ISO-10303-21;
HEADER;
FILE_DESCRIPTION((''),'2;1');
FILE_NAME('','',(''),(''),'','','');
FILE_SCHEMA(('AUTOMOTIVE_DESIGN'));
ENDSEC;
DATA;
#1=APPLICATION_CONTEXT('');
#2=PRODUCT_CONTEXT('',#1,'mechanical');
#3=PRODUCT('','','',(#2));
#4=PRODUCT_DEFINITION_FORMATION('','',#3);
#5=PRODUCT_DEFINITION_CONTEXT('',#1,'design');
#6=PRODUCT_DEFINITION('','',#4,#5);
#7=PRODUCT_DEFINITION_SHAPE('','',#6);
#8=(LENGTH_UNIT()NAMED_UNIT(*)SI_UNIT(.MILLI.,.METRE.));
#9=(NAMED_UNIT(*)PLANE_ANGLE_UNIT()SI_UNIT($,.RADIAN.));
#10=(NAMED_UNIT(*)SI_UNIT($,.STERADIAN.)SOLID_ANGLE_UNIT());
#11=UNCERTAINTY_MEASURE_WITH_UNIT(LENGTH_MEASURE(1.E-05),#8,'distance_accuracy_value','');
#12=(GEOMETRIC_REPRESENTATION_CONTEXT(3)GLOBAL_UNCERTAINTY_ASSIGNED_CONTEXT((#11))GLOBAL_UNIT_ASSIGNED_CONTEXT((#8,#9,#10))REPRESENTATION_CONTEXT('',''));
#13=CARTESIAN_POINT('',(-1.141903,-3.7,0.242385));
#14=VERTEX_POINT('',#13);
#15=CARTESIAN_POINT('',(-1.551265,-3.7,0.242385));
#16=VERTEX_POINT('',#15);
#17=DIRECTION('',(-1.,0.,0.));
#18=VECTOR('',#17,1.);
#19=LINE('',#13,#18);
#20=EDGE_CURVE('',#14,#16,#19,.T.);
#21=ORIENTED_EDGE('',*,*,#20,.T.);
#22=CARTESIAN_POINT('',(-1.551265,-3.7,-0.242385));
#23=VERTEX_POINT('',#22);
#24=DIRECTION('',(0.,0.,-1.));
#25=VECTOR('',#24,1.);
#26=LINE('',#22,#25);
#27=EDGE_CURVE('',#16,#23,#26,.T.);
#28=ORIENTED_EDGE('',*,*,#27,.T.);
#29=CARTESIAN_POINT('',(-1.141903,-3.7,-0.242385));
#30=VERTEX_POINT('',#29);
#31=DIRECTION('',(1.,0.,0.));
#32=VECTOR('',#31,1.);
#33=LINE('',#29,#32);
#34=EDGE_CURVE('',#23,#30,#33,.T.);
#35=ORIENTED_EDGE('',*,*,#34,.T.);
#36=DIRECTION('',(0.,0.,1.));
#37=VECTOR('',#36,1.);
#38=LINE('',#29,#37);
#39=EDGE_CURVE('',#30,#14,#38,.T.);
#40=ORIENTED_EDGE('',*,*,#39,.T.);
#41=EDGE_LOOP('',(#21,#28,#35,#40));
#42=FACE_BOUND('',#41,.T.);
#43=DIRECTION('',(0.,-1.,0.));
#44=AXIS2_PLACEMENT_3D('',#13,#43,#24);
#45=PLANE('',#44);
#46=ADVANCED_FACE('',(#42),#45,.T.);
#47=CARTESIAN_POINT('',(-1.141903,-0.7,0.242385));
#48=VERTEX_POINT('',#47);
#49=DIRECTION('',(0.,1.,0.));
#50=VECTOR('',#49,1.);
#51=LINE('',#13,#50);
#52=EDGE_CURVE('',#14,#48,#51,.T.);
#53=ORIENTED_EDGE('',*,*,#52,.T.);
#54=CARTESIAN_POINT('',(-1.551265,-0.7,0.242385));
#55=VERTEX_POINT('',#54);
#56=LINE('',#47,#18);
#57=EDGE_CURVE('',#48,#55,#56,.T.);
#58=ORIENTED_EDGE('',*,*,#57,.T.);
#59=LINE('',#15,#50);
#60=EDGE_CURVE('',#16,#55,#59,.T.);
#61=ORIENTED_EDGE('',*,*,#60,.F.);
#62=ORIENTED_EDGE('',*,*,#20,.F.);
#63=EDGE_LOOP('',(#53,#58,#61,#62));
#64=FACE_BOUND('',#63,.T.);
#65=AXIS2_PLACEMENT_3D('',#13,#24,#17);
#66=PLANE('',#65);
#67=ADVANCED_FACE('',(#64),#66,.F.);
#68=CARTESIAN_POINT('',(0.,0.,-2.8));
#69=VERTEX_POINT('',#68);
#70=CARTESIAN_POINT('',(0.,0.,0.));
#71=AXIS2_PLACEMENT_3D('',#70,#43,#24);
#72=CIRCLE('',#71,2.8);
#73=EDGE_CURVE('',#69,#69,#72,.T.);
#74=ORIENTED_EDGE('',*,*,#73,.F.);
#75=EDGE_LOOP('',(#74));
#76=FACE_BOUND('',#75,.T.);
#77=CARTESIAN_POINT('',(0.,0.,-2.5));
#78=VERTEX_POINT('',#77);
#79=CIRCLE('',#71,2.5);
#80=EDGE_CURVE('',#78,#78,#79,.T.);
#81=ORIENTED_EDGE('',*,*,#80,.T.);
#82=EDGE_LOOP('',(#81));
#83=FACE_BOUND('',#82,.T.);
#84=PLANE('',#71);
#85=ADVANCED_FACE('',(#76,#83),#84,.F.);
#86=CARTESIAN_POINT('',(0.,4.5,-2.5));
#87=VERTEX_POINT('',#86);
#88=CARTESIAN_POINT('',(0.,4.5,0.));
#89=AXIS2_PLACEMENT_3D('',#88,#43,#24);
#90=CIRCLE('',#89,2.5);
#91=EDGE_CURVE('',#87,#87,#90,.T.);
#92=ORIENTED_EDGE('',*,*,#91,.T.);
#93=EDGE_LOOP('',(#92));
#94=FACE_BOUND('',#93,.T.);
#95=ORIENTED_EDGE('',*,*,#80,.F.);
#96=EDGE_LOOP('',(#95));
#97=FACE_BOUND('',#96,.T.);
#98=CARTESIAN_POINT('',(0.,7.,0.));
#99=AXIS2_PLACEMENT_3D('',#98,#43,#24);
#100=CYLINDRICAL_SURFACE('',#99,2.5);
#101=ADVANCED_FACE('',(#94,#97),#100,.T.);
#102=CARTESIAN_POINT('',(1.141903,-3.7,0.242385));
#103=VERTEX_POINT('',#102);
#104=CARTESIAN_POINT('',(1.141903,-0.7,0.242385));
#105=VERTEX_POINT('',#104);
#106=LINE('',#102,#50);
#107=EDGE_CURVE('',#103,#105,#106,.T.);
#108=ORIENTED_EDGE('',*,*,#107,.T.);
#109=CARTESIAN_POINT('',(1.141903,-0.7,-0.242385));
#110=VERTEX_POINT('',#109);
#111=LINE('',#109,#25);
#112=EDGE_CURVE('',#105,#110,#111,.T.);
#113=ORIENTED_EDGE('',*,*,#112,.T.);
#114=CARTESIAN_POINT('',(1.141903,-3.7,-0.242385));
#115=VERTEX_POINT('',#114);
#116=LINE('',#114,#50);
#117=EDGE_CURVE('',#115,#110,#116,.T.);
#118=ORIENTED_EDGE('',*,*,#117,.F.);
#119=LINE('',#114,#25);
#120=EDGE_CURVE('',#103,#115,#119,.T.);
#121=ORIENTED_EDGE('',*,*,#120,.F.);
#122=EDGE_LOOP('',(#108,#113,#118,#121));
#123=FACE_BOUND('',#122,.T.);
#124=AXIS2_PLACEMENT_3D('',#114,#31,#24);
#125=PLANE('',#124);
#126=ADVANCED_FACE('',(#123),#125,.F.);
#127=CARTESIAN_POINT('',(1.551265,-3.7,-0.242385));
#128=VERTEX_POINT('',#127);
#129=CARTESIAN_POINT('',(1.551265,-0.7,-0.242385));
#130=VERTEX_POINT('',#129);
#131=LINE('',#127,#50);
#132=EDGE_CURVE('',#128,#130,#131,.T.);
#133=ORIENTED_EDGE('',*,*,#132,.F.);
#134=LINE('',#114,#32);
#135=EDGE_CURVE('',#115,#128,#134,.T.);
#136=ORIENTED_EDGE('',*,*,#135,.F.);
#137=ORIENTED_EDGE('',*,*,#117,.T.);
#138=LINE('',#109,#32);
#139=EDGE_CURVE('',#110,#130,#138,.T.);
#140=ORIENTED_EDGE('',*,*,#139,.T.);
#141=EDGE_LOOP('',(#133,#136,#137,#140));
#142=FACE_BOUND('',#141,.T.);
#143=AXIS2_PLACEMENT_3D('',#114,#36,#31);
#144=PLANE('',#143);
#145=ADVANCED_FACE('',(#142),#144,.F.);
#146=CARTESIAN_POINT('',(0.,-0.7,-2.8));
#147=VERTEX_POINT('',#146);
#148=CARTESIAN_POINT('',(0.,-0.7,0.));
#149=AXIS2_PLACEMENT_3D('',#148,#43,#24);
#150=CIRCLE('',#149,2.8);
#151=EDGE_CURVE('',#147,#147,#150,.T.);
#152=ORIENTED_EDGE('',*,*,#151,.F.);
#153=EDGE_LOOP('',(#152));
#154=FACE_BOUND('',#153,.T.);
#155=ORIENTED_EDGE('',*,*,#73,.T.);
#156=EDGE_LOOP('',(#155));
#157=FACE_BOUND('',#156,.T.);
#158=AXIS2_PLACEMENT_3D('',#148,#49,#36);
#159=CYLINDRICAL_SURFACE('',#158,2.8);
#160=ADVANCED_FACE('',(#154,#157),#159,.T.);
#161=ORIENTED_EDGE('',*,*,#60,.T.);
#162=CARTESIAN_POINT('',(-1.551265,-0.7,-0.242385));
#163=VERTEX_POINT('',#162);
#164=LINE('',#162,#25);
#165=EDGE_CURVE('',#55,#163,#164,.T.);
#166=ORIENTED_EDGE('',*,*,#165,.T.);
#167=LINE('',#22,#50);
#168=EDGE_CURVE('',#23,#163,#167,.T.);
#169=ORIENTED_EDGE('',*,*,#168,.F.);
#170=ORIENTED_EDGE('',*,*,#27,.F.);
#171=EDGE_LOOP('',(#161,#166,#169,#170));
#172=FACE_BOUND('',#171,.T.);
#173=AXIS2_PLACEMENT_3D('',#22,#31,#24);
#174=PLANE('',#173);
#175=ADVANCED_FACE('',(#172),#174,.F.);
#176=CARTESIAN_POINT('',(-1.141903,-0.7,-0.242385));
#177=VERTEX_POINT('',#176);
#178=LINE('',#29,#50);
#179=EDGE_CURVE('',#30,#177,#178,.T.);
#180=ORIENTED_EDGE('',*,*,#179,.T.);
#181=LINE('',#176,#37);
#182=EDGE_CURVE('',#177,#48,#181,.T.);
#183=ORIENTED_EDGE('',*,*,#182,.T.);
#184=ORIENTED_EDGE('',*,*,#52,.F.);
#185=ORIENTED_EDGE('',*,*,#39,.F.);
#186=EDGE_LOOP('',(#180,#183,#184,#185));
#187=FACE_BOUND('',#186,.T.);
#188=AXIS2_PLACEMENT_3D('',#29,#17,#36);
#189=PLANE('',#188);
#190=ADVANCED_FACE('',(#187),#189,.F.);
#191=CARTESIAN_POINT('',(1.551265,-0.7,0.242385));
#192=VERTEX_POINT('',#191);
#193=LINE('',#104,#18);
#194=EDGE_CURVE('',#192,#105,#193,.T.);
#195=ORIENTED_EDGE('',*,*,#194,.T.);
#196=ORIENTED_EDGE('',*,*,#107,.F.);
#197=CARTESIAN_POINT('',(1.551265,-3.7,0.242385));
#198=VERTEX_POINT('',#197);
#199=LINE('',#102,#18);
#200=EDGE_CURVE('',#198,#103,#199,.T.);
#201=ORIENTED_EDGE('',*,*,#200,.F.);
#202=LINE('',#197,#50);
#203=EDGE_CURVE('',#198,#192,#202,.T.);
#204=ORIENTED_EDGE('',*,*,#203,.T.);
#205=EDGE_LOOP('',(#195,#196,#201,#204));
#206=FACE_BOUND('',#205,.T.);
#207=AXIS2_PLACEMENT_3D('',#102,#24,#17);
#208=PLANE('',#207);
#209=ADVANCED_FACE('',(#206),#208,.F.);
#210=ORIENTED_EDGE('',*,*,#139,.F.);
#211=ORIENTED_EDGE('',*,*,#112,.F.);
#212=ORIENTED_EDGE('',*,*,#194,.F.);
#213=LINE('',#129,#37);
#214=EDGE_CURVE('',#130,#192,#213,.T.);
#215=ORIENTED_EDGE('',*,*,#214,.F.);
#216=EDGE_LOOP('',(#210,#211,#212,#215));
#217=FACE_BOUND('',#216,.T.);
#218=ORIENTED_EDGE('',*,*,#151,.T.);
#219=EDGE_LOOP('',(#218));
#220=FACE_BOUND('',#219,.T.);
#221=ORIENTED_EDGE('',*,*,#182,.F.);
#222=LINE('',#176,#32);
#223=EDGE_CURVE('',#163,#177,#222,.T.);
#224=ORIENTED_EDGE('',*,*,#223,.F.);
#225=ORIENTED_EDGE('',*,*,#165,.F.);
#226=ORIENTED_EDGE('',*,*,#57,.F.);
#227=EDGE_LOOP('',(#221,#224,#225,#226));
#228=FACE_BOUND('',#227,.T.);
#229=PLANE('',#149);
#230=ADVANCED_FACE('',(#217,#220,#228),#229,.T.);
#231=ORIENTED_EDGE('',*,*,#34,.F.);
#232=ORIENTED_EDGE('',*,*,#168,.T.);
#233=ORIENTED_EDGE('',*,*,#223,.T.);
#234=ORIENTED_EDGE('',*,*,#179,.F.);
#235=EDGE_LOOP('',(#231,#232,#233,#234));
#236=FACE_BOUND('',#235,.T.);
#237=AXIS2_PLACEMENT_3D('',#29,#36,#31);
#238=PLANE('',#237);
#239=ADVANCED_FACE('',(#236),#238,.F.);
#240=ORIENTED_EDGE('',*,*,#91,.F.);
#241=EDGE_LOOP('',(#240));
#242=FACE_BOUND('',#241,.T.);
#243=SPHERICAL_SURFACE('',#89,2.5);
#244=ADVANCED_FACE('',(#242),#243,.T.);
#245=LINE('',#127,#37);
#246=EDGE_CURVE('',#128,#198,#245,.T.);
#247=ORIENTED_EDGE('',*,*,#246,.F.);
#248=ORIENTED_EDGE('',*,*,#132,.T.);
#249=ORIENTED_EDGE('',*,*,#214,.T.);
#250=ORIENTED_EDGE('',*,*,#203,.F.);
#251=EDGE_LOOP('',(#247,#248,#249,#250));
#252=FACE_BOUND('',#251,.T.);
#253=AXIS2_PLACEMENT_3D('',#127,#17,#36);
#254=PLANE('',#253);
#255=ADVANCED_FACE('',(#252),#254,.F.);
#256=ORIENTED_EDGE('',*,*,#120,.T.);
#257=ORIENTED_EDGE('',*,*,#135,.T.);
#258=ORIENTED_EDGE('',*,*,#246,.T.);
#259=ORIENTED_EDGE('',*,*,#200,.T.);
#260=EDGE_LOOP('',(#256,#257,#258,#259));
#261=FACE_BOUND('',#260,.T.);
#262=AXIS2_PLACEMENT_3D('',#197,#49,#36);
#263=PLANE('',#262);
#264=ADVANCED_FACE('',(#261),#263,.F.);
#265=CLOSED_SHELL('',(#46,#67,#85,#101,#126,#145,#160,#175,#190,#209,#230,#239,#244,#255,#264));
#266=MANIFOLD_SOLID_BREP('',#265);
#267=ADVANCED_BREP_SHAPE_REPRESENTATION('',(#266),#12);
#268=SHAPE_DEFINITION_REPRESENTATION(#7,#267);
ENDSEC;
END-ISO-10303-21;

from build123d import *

# Parameters (mm, degrees)
SKETCH2_R           = 2.5
BOSS_EXTRUDE1_DEPTH = 7
SKETCH3_R           = 2.8
BOSS_EXTRUDE2_DEPTH = 0.7
FILLET1_R           = 2.5
SKETCH4_W           = 0.409361502
SKETCH4_H           = 0.4847702
BOSS_EXTRUDE3_DEPTH = 3


with BuildPart() as part:
    # Sketch2 → Boss-Extrude1 (new body)
    with BuildSketch(Plane(origin=(0, 0, 0), x_dir=(1, 0, 0), z_dir=(0, 1, 0))):
        with Locations(Location((0, 0, 0), (0, 0, 270))):
            Circle(SKETCH2_R)
    extrude(amount=BOSS_EXTRUDE1_DEPTH)

    # Sketch3 → Boss-Extrude2 (add)
    with BuildSketch(Plane.XZ):
        with Locations(Location((0, 0, 0), (0, 0, 270))):
            Circle(SKETCH3_R)
    extrude(amount=BOSS_EXTRUDE2_DEPTH)

    # Fillet1
    fillet1_edges = [part.edges().sort_by_distance(p)[0] for p in [
        (0, 7, -2.5),
    ]]
    fillet(fillet1_edges, radius=FILLET1_R)

    # Sketch4 → Boss-Extrude3 (add)
    with BuildSketch(Plane.XZ.offset(0.7)):
        with Locations((1.346583888, 0)):
            Rectangle(SKETCH4_W, SKETCH4_H)
        with Locations((-1.346583888, 0)):
            Rectangle(SKETCH4_W, SKETCH4_H)
    extrude(amount=BOSS_EXTRUDE3_DEPTH)


solid = part.part
